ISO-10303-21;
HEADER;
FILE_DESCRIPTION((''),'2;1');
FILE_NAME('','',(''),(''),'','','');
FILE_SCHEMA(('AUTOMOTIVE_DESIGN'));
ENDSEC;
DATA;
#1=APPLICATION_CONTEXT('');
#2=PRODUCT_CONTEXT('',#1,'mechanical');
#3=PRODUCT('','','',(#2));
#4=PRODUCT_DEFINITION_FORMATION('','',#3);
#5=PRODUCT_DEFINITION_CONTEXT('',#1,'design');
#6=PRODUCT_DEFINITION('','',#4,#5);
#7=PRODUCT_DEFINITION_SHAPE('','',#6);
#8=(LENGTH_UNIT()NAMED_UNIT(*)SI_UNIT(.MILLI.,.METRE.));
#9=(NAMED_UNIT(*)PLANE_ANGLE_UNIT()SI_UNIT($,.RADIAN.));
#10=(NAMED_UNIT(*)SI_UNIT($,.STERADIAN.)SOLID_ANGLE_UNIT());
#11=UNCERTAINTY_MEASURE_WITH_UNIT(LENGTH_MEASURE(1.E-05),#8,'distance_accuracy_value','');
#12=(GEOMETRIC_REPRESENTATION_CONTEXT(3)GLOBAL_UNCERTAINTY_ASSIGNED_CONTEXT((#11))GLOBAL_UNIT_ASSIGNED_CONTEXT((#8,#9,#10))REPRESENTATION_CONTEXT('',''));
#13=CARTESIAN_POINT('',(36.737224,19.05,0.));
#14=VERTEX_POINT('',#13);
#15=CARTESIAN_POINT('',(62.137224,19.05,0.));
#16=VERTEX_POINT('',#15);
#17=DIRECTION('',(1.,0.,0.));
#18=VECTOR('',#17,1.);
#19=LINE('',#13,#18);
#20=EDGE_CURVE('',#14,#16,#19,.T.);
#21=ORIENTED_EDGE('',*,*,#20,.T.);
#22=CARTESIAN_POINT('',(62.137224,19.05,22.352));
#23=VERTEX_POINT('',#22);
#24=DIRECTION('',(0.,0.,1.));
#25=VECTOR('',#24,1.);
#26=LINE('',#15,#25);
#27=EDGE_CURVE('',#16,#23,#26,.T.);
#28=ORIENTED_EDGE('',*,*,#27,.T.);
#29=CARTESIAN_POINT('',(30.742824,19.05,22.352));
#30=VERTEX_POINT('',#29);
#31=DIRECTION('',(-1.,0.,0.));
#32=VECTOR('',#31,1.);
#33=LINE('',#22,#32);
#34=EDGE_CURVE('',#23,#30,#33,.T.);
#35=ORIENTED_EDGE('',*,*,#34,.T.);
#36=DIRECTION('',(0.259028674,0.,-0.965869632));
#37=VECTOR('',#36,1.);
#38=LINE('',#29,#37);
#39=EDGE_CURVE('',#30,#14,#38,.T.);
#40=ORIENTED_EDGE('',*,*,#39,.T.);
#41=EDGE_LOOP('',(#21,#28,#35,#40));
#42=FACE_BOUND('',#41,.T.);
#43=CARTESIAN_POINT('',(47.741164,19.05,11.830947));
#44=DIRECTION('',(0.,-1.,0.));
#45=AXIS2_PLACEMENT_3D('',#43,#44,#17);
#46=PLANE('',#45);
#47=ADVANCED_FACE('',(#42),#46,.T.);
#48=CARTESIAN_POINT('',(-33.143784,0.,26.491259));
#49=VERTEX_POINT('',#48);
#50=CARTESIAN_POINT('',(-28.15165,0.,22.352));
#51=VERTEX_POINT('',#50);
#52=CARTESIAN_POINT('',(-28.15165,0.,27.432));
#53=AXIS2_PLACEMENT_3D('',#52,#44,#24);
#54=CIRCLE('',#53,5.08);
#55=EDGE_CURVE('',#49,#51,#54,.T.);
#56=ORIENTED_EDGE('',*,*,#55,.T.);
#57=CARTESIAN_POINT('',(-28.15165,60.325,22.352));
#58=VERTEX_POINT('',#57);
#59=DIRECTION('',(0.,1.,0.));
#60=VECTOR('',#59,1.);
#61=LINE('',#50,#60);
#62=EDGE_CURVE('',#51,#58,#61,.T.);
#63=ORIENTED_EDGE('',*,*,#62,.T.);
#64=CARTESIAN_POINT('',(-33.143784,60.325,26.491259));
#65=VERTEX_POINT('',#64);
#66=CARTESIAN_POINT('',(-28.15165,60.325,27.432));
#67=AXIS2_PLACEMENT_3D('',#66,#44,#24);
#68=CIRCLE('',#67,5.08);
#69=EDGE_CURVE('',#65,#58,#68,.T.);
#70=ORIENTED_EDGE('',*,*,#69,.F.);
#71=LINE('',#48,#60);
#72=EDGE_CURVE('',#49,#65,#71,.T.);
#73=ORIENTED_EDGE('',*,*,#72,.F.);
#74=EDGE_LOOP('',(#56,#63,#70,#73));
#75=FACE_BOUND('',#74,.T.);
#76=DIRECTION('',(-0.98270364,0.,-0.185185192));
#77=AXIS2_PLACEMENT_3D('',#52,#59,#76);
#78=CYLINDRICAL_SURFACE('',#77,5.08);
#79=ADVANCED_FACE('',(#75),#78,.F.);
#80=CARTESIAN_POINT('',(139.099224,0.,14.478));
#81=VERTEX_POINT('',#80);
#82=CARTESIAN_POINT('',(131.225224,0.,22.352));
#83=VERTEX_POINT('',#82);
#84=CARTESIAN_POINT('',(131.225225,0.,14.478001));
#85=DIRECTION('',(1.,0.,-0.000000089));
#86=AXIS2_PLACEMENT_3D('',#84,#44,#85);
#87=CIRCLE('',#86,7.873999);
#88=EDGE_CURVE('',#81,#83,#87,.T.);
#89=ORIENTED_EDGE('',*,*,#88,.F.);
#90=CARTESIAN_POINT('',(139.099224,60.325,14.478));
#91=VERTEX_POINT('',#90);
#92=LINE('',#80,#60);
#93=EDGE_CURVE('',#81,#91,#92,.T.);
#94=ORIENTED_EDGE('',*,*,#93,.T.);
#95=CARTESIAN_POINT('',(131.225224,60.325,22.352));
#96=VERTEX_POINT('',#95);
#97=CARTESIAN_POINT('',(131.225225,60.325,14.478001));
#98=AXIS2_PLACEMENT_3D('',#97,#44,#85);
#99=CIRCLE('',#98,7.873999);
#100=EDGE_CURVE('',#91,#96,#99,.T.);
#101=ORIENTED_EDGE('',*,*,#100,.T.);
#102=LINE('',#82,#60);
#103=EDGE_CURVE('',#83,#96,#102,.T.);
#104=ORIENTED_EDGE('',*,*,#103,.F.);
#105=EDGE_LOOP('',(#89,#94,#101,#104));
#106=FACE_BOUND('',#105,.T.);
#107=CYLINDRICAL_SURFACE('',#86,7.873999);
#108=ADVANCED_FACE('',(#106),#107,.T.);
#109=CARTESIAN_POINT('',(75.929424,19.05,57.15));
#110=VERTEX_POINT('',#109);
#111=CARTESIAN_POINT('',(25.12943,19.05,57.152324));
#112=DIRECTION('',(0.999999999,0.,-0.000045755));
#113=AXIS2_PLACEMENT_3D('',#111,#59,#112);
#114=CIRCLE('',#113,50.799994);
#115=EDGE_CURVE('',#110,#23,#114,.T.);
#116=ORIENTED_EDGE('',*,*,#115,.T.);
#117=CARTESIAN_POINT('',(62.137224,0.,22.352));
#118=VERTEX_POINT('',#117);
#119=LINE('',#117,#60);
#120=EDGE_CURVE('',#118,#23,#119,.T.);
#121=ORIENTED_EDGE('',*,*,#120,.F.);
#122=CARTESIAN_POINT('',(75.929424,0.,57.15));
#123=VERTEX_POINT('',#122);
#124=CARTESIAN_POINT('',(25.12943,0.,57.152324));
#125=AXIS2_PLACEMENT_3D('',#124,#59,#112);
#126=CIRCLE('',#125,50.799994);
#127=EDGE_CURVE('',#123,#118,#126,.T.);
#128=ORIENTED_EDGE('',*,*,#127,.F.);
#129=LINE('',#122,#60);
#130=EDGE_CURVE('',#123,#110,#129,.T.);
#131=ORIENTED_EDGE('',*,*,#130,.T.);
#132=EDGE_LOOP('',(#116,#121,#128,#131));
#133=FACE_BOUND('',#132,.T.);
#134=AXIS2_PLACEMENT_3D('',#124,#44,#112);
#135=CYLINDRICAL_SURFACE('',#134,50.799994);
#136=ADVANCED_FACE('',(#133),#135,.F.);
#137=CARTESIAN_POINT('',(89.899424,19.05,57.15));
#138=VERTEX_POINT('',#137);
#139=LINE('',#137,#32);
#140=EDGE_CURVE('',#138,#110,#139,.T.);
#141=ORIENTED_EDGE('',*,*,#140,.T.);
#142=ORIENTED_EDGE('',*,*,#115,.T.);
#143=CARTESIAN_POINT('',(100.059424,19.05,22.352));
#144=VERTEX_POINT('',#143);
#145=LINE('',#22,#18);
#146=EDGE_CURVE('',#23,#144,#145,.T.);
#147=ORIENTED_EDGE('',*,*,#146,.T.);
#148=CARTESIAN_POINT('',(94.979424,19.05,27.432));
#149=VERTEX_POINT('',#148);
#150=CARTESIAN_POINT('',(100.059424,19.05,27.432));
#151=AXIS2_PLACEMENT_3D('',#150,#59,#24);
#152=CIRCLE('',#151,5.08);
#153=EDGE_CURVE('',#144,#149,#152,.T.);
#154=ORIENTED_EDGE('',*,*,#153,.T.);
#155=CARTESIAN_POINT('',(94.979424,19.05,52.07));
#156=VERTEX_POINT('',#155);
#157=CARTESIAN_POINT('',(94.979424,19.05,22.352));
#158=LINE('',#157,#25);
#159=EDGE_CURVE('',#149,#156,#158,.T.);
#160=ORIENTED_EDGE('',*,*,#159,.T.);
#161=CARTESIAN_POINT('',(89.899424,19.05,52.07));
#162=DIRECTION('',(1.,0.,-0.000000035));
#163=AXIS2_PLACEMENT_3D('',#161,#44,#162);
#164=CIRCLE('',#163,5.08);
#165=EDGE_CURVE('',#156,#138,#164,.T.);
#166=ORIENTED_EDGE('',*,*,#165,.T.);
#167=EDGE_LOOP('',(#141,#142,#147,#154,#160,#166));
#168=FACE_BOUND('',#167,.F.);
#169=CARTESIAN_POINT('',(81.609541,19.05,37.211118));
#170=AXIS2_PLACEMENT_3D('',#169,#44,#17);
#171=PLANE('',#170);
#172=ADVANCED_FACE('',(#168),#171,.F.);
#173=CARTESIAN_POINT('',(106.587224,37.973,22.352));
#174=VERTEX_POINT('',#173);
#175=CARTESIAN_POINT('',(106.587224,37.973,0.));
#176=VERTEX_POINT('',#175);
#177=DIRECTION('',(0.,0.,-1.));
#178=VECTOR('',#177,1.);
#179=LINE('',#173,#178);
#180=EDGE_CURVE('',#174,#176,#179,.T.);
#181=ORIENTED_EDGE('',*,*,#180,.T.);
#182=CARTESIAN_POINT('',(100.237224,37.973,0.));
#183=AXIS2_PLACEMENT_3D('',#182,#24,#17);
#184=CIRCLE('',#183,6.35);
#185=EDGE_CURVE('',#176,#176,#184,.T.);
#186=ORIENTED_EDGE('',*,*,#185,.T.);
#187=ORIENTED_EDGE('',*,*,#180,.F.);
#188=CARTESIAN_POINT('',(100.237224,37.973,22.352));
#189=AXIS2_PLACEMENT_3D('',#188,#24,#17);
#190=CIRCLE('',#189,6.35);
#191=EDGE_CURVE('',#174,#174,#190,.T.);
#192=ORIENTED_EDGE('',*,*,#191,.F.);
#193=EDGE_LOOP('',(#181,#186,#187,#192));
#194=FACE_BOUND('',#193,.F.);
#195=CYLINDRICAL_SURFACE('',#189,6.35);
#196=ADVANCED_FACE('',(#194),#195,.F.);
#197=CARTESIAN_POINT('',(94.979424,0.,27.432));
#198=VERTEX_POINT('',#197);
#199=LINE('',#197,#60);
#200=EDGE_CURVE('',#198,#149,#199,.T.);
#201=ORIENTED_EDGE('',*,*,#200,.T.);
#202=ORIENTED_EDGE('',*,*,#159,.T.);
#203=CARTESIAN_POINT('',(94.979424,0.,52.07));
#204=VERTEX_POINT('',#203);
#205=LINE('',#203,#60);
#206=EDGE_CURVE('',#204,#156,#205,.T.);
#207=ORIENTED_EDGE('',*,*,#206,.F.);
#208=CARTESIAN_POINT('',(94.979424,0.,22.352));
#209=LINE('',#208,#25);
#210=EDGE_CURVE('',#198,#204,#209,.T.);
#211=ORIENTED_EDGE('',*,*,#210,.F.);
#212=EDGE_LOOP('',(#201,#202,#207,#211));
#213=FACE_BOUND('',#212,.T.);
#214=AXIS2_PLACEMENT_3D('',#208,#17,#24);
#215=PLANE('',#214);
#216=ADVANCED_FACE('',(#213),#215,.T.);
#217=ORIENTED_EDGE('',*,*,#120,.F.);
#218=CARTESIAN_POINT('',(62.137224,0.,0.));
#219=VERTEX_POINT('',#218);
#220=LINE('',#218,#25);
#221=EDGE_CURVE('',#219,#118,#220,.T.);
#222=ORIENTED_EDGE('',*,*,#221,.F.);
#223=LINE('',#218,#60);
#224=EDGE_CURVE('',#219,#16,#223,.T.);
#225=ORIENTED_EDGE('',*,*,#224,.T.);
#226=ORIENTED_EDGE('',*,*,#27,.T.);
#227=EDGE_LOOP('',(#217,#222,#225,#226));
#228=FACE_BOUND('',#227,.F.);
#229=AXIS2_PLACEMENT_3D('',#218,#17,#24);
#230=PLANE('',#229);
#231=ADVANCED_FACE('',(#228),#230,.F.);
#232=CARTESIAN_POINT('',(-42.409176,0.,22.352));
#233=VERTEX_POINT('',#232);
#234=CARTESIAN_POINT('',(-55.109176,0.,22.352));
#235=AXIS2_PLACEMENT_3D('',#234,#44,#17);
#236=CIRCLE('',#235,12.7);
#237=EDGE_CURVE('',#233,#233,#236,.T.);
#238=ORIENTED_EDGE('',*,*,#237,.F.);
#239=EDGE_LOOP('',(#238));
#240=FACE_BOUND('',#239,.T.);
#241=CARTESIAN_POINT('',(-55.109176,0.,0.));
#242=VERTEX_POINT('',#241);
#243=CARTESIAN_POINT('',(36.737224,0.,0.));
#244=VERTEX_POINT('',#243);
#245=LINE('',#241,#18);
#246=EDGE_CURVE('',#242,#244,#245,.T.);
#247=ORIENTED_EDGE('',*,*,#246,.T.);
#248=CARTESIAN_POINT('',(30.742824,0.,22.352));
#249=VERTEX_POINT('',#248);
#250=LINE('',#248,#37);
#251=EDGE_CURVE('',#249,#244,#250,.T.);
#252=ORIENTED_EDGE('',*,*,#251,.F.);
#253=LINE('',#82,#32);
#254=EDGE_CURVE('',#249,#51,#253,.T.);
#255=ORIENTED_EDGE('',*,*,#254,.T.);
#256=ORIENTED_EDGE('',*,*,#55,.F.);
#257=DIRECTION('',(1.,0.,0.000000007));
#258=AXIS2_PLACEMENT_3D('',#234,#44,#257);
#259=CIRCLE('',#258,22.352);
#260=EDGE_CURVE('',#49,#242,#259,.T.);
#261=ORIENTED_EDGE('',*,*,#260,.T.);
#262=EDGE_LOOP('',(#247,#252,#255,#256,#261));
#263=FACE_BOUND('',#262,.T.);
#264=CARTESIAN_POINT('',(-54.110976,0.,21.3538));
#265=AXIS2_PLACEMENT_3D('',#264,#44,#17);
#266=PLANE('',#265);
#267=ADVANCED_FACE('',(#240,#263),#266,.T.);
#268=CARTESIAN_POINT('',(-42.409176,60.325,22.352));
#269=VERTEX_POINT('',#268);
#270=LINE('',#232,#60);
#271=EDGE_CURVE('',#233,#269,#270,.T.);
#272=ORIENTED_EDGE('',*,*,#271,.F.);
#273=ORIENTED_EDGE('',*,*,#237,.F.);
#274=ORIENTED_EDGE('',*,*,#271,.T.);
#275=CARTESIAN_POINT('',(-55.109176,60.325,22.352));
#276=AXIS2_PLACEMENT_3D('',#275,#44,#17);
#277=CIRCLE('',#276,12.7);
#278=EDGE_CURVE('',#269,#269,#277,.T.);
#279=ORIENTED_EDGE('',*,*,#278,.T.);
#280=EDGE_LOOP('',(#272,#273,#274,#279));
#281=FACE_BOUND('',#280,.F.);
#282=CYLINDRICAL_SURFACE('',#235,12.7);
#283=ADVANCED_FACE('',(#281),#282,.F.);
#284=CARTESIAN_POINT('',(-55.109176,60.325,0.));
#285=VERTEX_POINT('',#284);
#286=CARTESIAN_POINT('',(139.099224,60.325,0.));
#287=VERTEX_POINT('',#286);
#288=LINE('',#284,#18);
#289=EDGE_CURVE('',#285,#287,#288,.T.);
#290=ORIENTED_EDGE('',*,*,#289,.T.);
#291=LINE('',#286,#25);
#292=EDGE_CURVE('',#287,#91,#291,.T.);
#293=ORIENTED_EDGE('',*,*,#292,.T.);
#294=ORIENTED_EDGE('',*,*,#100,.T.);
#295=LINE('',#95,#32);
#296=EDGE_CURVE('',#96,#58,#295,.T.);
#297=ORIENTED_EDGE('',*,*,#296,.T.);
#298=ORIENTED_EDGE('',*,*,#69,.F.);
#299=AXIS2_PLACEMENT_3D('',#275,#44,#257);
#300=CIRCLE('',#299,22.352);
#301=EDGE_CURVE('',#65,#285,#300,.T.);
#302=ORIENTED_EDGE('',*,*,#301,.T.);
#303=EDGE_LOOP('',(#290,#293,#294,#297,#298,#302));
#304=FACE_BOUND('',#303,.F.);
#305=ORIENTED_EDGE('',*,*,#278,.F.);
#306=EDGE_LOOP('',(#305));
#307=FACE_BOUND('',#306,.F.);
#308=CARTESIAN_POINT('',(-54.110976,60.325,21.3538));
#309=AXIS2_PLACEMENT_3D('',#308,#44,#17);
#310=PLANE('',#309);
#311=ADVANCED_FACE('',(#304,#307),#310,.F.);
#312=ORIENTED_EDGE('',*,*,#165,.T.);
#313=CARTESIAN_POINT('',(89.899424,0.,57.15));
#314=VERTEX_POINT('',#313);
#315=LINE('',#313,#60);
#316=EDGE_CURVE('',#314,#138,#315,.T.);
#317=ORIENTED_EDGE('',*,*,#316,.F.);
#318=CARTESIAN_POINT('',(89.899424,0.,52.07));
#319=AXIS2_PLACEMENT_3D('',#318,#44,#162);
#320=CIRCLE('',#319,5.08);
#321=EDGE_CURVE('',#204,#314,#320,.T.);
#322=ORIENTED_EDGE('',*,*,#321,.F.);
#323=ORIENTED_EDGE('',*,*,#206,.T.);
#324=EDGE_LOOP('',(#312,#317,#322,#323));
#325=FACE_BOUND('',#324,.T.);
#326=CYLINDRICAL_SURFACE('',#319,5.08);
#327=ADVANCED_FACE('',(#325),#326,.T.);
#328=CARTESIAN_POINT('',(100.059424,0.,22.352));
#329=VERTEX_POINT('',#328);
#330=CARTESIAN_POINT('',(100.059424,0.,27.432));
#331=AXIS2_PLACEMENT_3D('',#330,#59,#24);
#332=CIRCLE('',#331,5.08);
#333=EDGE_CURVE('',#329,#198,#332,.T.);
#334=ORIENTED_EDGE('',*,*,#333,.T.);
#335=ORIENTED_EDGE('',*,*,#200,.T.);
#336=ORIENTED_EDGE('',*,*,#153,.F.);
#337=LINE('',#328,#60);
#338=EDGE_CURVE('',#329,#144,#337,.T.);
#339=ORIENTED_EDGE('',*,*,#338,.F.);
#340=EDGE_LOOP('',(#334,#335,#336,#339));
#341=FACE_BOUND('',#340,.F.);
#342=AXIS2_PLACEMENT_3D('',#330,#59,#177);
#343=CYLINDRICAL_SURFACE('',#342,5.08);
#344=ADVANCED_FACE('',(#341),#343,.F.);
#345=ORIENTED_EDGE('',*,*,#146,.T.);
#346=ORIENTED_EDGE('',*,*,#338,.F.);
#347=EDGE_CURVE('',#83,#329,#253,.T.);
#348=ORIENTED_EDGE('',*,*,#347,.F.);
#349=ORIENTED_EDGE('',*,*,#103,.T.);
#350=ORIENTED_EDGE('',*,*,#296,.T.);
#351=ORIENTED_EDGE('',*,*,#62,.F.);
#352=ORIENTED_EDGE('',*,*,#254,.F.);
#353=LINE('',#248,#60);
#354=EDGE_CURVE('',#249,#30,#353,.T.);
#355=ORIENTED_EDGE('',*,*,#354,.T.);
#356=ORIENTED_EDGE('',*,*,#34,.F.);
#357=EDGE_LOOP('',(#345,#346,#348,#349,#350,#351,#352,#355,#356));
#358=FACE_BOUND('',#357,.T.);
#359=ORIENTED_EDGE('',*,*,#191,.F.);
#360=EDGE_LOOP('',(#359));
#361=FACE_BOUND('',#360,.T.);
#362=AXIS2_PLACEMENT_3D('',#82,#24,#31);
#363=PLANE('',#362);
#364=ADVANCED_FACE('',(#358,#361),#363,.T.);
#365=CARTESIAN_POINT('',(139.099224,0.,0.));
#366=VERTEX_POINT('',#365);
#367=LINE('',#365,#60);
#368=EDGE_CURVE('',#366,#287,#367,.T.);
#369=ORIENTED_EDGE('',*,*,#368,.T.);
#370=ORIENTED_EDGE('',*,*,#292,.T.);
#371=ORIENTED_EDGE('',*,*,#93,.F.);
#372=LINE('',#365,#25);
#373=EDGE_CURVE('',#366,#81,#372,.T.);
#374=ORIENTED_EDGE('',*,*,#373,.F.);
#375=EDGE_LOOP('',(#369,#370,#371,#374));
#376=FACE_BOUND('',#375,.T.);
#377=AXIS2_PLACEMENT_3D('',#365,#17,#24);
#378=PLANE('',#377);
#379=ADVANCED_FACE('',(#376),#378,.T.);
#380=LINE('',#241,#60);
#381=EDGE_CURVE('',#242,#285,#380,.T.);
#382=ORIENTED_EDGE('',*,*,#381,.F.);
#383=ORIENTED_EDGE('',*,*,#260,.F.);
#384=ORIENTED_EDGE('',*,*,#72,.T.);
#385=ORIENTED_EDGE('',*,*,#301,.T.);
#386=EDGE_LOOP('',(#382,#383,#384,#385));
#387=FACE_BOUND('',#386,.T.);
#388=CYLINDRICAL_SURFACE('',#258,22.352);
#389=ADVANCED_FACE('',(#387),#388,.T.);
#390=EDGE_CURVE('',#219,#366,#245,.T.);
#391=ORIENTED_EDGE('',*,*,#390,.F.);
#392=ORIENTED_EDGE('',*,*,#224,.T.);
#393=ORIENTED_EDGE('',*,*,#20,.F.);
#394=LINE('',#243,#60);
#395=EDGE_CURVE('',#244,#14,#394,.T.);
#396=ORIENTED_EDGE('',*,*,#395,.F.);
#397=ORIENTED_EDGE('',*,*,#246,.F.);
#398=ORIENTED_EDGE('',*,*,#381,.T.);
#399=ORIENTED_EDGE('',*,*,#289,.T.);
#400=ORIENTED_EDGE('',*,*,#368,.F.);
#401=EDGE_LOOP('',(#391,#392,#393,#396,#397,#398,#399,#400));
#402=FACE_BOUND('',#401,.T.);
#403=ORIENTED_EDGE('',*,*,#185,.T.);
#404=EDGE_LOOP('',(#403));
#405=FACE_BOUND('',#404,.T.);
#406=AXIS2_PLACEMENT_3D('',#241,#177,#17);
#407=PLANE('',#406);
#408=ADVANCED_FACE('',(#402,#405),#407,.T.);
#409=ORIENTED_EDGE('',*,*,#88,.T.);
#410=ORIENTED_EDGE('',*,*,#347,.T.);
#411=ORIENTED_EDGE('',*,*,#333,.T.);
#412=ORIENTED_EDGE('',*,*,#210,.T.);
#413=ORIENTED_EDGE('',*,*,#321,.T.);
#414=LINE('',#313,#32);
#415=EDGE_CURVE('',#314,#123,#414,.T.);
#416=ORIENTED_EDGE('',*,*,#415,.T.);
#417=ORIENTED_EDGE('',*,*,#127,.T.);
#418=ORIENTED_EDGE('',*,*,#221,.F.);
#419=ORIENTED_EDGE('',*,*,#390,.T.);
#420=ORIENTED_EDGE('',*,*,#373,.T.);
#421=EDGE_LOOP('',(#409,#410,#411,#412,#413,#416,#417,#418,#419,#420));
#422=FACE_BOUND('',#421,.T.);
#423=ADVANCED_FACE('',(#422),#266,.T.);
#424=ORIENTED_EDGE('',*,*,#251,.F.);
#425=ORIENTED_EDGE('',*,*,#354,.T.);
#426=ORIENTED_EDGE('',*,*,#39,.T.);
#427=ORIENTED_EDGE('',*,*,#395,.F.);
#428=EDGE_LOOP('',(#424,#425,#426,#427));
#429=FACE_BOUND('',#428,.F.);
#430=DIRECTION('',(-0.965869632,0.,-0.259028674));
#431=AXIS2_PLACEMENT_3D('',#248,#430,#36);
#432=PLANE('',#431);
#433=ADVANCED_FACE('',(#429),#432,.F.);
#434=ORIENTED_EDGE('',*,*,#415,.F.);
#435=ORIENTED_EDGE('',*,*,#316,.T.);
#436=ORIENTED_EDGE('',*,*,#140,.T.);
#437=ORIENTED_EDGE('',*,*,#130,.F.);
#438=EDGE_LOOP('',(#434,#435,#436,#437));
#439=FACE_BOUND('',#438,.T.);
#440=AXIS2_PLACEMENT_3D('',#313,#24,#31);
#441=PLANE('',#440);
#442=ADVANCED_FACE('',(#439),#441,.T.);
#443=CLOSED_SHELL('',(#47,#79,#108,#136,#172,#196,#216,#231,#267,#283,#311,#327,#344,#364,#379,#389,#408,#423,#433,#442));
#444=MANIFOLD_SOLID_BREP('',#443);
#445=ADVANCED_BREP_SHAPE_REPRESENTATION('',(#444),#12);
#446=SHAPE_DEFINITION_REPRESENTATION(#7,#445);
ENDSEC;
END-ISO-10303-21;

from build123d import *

# Parameters (mm, degrees)
F0_R     = 12.7
F1_DEPTH = 60.325
F2_DEPTH = 19.05
F3_DEPTH = 19.05
F4_R     = 5.08
F5_R     = 6.35
F6_DEPTH = 25.4


with BuildPart() as f1:
    # F0 (on Front) → F1 (new body)
    with BuildSketch(Plane.XZ):
        with BuildLine():
            ThreePointArc((-55.109176, 0), (-39.303925, 6.546749), (-32.757176, 22.352))
            ThreePointArc((-32.757176, 22.352), (-70.914426, 38.157251), (-55.109176, 0))
        make_face()
        with Locations((-55.109176, 22.352)):
            Circle(F0_R, mode=Mode.SUBTRACT)
        with BuildLine():
            Line((30.742824, 22.352), (-32.757176, 22.352))
            ThreePointArc((-32.757176, 22.352), (-39.303925, 6.546749), (-55.109176, 0))
            Line((-55.109176, 0), (36.737224, 0))
            Line((36.737224, 0), (30.742824, 22.352))
        make_face()
        Polygon((62.137224, 22.352), (30.742824, 22.352), (36.737224, 0), (62.137224, 0), align=None)
        with BuildLine():
            Line((94.979424, 22.352), (62.137224, 22.352))
            Line((62.137224, 22.352), (62.137224, 0))
            Line((62.137224, 0), (139.099224, 0))
            Line((139.099224, 0), (139.099224, 14.478))
            ThreePointArc((139.099224, 14.478), (136.792983, 20.045759), (131.225224, 22.352))
            Line((131.225224, 22.352), (94.979424, 22.352))
        make_face()
    extrude(amount=-F1_DEPTH)

    # F0 (on Front) → F2 (join)
    with BuildSketch(Plane.XZ):
        with BuildLine():
            ThreePointArc((75.929424, 57.15), (72.35524, 38.434358), (62.137224, 22.352))
            Line((62.137224, 22.352), (94.979424, 22.352))
            Line((94.979424, 22.352), (94.979424, 52.07))
            ThreePointArc((94.979424, 52.07), (93.491527, 55.662102), (89.899424, 57.15))
            Line((89.899424, 57.15), (75.929424, 57.15))
        make_face()
    extrude(amount=-F2_DEPTH)

    # F0 (on Front) → F3 (cut)
    with BuildSketch(Plane.XZ):
        Polygon((62.137224, 22.352), (30.742824, 22.352), (36.737224, 0), (62.137224, 0), align=None)
    extrude(amount=-F3_DEPTH, mode=Mode.SUBTRACT)

    # F4
    f4_edges = [f1.edges().sort_by_distance(p)[0] for p in [
        (-32.757176, 30.1625, 22.352),
        (94.979424, 9.525, 22.352),
    ]]
    fillet(f4_edges, radius=F4_R)

    # F5 (on face) → F6 (cut)
    with BuildSketch(Plane.XY.offset(22.352)):
        with Locations((100.237224, 37.973)):
            Circle(F5_R)
    extrude(amount=-F6_DEPTH, mode=Mode.SUBTRACT)


solid = f1.part
